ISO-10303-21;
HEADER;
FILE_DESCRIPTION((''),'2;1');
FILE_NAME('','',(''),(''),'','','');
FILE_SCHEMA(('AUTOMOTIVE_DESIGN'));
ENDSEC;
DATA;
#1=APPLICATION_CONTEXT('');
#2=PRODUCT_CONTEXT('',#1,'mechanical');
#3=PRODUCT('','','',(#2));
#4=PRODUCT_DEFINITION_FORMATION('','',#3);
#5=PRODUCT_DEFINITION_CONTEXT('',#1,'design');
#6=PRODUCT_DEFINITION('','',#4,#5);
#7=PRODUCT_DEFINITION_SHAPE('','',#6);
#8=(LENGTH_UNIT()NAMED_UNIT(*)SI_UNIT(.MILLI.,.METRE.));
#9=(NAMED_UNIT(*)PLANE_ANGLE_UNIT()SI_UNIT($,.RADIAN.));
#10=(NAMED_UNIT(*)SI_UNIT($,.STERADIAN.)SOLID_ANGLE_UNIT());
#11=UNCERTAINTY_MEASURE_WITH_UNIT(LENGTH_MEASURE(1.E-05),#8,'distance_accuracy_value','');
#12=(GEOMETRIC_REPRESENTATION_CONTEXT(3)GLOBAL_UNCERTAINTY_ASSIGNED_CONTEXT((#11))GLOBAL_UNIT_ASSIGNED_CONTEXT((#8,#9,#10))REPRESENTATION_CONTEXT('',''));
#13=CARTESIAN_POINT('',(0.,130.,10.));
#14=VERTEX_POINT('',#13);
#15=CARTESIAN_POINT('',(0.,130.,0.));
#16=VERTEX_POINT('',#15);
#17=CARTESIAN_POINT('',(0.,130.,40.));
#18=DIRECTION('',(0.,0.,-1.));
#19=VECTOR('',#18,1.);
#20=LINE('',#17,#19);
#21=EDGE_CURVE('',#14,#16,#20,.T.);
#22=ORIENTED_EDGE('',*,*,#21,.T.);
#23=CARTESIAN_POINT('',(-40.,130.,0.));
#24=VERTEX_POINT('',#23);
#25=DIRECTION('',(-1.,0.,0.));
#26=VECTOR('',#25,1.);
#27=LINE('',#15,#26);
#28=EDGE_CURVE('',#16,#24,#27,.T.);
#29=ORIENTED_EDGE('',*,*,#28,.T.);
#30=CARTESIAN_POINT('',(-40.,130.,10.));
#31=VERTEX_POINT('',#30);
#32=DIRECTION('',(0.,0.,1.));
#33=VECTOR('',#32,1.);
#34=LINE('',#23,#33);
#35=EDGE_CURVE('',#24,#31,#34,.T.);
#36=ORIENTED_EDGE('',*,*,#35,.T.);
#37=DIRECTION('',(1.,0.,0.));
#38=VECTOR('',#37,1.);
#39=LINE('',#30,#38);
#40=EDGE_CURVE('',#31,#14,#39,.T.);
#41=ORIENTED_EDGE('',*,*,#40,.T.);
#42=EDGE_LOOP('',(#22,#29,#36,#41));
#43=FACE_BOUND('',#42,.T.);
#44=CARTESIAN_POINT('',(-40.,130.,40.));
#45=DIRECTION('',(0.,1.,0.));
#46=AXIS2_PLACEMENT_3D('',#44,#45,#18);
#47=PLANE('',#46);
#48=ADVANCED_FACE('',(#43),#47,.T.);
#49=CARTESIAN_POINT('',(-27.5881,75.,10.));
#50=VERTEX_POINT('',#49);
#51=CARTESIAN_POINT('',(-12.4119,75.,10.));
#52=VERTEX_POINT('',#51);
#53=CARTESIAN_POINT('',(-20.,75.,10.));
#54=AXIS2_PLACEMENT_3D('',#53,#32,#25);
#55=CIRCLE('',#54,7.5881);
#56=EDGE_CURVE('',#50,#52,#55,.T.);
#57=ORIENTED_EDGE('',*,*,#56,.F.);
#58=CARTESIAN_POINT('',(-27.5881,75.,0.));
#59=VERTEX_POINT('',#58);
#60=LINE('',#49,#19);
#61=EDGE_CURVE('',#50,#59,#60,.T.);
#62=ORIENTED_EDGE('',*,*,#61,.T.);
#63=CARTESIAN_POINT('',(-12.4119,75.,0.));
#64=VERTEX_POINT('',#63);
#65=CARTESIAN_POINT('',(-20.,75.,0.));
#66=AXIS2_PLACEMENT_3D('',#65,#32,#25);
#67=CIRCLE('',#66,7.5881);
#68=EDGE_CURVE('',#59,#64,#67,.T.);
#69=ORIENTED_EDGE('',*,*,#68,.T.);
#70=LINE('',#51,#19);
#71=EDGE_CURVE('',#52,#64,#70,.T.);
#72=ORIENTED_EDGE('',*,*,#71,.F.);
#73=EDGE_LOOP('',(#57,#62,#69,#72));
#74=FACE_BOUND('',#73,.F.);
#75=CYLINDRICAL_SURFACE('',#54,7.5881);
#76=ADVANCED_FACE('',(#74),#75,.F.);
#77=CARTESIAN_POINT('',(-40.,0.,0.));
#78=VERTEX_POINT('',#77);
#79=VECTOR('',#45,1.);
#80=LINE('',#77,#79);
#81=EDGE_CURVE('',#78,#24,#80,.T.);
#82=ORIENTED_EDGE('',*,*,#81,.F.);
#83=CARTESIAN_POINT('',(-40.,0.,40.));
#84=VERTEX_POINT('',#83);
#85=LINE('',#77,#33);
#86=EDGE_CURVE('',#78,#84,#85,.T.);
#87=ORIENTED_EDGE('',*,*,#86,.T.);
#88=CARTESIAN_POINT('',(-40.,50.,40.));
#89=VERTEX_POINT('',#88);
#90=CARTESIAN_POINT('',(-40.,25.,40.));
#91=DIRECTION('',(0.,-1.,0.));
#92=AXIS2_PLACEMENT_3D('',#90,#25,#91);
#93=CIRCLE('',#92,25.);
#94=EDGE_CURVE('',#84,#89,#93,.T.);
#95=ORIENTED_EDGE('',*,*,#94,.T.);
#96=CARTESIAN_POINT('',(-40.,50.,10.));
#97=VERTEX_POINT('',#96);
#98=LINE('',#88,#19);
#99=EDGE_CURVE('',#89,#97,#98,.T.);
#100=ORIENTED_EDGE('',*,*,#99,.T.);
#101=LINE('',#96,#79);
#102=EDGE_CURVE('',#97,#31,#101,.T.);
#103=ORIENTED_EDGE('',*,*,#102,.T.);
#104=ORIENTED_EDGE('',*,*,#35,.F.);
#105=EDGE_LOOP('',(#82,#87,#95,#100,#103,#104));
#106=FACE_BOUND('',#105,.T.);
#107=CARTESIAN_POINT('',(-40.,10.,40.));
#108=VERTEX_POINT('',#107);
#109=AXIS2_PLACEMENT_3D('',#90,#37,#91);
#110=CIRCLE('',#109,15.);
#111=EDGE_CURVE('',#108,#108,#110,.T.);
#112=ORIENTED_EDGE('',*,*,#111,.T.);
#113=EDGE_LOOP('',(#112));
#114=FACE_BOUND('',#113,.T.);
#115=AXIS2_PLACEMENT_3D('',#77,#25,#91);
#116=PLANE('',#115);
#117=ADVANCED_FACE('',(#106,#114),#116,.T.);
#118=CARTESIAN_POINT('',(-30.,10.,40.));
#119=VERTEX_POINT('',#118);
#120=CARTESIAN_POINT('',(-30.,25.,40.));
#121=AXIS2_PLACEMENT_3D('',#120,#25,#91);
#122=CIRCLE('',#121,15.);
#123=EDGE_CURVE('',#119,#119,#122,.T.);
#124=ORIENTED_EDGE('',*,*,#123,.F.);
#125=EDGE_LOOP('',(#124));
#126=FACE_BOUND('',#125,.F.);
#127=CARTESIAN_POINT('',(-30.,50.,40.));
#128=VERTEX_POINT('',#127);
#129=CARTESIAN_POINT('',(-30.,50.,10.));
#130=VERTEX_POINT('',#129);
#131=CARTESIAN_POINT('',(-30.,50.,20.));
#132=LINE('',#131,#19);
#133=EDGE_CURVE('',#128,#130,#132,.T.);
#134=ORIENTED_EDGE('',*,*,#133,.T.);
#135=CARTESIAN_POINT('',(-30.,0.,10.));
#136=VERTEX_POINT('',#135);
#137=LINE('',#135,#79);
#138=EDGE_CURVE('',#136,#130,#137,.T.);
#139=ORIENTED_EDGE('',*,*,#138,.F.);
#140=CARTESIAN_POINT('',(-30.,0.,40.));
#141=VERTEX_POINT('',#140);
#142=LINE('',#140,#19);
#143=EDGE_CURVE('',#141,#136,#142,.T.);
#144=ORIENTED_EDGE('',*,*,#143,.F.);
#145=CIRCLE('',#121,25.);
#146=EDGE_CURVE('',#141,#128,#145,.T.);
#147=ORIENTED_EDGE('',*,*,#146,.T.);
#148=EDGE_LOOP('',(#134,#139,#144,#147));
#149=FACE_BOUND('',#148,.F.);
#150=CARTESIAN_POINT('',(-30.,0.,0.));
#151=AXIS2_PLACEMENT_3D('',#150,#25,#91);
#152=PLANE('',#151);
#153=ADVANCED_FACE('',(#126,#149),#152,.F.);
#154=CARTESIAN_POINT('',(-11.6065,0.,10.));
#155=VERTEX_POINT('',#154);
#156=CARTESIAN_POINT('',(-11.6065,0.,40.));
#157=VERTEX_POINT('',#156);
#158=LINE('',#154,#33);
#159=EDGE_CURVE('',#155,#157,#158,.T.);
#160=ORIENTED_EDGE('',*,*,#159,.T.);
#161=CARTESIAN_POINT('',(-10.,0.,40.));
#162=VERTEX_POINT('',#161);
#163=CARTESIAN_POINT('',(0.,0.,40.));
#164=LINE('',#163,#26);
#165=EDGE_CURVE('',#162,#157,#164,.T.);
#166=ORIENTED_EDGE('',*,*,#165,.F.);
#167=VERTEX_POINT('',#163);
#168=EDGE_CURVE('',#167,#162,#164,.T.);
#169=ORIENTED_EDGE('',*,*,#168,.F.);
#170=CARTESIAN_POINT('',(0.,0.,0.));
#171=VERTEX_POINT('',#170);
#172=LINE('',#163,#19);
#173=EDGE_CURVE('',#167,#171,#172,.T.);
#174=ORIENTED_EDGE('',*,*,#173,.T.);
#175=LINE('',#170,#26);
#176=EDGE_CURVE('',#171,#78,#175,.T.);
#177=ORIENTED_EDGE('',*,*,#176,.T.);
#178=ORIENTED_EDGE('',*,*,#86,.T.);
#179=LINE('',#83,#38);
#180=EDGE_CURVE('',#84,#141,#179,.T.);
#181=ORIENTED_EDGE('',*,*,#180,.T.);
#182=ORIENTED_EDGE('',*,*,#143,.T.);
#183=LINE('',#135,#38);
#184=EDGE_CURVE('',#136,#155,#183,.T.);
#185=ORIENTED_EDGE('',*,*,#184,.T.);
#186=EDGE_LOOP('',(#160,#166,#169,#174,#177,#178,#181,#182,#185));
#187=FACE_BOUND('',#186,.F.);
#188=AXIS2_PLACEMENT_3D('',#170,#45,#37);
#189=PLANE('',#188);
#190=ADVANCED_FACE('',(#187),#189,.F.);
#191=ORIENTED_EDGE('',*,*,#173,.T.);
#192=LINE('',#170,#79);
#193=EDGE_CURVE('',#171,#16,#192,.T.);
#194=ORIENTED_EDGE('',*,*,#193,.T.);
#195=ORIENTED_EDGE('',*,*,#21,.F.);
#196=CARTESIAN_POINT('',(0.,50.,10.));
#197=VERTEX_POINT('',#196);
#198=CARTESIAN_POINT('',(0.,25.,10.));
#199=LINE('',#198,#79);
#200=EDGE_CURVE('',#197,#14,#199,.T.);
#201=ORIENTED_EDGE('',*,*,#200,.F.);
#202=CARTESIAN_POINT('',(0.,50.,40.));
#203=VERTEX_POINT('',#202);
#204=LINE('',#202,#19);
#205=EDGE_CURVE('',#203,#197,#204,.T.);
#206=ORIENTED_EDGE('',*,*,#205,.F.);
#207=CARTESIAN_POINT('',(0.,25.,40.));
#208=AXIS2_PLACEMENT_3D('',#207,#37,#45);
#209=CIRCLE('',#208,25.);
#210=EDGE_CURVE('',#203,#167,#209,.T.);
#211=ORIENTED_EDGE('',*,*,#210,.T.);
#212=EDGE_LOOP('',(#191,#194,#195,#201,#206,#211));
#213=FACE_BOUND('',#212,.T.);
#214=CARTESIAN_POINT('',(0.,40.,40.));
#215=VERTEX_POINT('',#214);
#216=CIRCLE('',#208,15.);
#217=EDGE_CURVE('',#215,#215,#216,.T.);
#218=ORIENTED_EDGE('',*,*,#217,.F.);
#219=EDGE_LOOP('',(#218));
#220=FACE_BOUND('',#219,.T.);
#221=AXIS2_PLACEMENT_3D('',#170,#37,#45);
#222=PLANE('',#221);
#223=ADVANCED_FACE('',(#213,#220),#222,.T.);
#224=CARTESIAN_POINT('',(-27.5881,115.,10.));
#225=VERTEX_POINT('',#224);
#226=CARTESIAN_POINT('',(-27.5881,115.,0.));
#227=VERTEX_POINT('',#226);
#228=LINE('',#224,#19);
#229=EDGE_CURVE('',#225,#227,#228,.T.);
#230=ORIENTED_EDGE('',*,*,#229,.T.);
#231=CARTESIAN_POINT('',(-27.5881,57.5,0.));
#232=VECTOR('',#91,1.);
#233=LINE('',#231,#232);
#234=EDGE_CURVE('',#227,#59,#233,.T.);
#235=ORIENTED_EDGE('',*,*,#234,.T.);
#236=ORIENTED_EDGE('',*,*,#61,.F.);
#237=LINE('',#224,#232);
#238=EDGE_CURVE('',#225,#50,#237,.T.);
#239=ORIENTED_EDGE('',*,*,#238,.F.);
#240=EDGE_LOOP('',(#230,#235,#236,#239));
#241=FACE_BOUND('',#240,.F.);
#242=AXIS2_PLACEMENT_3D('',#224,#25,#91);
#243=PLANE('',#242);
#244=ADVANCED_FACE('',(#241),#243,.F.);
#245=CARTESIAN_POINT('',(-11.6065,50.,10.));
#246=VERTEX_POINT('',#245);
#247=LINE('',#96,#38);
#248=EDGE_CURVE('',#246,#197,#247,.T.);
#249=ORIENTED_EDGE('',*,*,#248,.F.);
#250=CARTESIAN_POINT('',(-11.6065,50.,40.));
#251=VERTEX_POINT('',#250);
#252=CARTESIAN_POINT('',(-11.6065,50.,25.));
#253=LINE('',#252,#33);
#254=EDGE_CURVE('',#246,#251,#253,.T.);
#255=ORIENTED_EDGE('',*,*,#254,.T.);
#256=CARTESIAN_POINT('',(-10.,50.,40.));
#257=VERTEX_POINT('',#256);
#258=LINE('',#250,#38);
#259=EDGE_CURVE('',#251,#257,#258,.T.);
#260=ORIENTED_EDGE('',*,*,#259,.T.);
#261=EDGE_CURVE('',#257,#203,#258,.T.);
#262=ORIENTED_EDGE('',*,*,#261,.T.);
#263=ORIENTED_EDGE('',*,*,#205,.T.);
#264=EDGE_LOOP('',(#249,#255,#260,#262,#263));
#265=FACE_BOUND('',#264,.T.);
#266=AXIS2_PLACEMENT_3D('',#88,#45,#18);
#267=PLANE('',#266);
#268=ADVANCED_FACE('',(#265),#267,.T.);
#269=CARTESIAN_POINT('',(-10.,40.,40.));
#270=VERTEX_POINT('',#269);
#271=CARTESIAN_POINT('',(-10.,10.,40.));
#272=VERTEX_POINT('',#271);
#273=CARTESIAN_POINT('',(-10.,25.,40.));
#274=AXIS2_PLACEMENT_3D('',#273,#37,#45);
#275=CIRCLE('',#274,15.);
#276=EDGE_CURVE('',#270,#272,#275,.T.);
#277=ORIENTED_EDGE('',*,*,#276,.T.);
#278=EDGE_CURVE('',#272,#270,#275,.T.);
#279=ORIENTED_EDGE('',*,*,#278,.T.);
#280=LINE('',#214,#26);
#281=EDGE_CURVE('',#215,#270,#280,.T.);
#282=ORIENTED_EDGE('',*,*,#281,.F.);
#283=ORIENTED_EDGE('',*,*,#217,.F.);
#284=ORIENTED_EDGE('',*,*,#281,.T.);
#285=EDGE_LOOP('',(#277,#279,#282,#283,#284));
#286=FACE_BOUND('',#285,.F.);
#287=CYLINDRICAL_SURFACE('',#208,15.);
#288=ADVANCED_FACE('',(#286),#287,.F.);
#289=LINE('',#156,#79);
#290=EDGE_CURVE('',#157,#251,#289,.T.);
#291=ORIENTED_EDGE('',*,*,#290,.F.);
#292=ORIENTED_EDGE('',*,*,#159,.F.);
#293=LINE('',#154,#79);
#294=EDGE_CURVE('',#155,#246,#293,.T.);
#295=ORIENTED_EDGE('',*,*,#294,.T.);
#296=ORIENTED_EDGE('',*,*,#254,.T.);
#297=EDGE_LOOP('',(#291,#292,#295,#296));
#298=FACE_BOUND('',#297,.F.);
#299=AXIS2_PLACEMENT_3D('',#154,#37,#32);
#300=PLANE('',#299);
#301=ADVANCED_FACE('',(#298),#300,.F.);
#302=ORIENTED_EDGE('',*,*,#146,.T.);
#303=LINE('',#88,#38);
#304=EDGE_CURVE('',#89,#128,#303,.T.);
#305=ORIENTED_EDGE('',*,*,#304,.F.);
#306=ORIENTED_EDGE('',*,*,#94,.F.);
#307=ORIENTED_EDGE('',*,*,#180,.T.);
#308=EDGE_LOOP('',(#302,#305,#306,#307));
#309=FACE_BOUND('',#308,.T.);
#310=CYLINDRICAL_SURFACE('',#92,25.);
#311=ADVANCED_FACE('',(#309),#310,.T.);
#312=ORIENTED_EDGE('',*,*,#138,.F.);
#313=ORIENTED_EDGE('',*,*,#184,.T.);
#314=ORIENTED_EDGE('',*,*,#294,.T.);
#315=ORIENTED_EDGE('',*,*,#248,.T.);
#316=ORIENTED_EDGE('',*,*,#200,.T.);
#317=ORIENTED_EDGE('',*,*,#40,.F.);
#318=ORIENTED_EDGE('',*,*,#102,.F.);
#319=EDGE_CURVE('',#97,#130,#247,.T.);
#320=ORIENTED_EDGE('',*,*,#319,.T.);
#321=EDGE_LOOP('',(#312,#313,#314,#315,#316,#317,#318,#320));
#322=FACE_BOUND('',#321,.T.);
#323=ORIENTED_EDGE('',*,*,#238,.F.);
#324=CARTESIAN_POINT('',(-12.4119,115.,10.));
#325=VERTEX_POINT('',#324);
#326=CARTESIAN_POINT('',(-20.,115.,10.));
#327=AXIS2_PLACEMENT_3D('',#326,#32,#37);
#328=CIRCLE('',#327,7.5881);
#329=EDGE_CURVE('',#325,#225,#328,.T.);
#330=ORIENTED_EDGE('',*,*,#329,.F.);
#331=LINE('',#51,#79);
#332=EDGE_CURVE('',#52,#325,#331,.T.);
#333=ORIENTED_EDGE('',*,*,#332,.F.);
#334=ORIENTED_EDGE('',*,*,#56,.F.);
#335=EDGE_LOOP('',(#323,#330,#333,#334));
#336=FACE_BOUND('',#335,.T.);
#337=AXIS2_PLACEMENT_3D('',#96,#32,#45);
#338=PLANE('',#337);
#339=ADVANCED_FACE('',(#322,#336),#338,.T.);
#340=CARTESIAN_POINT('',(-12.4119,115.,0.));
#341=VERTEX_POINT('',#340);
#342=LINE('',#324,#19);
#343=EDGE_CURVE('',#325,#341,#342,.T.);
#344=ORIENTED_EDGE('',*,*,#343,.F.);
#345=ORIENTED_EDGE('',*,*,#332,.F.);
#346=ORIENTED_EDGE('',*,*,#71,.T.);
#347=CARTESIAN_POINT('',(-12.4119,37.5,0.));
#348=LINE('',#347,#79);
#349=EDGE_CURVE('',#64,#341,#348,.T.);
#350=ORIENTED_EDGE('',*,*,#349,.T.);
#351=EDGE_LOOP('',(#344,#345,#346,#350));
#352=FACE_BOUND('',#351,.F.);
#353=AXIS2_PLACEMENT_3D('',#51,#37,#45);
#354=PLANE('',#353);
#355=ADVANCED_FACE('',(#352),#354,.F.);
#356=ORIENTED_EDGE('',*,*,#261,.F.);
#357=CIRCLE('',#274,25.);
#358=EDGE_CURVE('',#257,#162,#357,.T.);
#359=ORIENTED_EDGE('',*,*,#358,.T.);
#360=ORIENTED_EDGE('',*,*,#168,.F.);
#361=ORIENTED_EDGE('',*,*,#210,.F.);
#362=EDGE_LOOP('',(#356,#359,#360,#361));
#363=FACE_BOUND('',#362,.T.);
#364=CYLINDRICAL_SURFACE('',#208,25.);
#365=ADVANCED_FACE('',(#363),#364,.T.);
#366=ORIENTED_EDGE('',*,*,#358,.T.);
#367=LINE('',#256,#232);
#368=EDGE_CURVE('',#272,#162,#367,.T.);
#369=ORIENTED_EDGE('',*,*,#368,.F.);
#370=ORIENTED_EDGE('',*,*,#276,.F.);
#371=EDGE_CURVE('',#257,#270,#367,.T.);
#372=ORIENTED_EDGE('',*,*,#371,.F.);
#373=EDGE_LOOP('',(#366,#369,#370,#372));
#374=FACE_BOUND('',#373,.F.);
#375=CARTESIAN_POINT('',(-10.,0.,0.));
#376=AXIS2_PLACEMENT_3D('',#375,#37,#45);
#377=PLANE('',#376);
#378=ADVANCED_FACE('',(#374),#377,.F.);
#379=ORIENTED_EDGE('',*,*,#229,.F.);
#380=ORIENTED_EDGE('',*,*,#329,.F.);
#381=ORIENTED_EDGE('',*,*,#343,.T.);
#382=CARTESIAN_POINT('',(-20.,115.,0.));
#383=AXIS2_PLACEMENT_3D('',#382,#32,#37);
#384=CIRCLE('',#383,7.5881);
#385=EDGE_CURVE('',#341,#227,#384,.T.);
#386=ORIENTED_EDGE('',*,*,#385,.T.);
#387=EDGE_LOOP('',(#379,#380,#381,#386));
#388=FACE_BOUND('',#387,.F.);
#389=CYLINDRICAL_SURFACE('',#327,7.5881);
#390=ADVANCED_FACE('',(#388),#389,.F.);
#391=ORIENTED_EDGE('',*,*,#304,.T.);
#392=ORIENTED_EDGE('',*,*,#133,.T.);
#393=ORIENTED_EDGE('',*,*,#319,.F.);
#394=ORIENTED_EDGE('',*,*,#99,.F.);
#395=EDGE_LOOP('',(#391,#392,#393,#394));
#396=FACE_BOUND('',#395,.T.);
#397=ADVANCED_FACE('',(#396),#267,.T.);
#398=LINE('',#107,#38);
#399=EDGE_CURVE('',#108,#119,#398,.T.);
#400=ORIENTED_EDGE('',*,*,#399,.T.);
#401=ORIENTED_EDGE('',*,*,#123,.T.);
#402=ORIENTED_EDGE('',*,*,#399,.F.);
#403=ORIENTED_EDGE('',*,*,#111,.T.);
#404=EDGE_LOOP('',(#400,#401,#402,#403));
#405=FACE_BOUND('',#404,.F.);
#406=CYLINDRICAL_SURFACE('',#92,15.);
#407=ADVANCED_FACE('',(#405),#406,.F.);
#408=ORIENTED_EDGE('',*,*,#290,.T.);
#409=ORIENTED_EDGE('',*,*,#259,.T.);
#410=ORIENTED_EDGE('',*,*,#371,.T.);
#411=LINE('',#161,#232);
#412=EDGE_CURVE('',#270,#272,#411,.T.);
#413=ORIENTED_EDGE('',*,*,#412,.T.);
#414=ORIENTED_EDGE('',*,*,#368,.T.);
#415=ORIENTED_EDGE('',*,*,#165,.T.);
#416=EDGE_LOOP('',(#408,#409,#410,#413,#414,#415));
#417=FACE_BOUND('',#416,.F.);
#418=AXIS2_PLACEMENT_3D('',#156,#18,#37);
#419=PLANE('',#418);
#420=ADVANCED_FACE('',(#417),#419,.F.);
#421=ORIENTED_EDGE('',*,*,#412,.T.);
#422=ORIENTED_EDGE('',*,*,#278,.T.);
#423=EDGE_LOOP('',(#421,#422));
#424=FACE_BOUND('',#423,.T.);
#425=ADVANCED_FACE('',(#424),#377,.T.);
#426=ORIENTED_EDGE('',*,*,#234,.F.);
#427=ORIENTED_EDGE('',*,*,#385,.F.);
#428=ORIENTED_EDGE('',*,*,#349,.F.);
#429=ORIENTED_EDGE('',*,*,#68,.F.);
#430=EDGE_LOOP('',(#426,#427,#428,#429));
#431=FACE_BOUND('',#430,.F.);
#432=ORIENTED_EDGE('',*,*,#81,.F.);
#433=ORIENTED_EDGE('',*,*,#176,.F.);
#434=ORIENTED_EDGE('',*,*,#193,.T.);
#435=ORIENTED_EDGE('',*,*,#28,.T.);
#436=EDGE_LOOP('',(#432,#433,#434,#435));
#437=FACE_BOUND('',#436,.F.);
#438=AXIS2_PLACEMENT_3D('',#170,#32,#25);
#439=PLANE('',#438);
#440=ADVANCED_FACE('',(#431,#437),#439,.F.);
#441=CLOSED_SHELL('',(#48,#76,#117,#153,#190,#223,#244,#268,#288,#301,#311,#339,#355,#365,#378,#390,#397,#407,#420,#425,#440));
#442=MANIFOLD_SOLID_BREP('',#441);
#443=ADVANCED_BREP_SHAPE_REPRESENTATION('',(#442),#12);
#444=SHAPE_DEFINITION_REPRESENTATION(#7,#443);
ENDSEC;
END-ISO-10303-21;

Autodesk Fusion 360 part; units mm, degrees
sketch "Sketch1" plane through (0, 0, 0) normal (0, 1, 0) x (1, 0, 0)
  line L0 (0, 0) -> (-40, 0)
  line L1 (-40, 0) -> (-40, -40)
  line L2 (0, -40) -> (0, 0)
  line L3 (-40, -40) -> (-30, -40)
  line L4 (-30, -40) -> (-30, -10)
  line L5 (-30, -10) -> (-11.6065, -10)
  line L6 (-11.6065, -10) -> (-11.6065, -40)
  line L7 (-11.6065, -40) -> (0, -40)
  dimension "d6" = 40
  dimension "d7" = 40
  dimension "d8" = 10
  dimension "d9" = 11.6065
  dimension "d10" = 10
extrude "Extrude1" add sketch "Sketch1" along normal blind 130
sketch "Sketch2" plane through (-40, 0, 0) normal (-1, 0, 0) x (0, -1, 0)
  line L0 (0, 0) -> (0, 40)
  line L1 (0, 40) -> (-130, 40)
  line L2 (-130, 40) -> (-130, 0)
  line L3 (-130, 0) -> (0, 0)
  circle A0 centre (-25, 40) radius 15
  arc A1 (0, 40) -> (-50, 40) centre (-25, 40) ccw
  line L4 (-50, 40) -> (-50, 10)
  line L5 (-50, 10) -> (-130, 10)
  dimension "d13" = 50
  dimension "d14" = 30
  dimension "d15" = 25
  dimension "d16" = 30
extrude "Extrude2" add sketch "Sketch2" against normal blind 10 contours L1 A0 A1
extrude "Extrude3" cut sketch "Sketch2" against normal blind 10 contours L1 A0 | L1 A0
extrude "Extrude4" cut sketch "Sketch2" against normal blind 10 contours L1 L2 L4 L5
extrude "Extrude5" add sketch "Sketch2" against normal blind 10 contours L1 L2 L4 L5
sketch "Sketch3" plane through (-40, 0, 0) normal (-1, 0, 0) x (0, -1, 0)
  line L0 (-130, 10) -> (-130, 0)
  line L1 (-130, 0) -> (0, 0)
  line L2 (0, 0) -> (0, 40)
extrude "Extrude6" cut sketch "Sketch2" against normal blind 66.91 contours L1 L2 L4 L5
sketch "Sketch4" plane through (0, 0, 0) normal (1, 0, 0) x (0, 1, 0)
  line L0 (130, 10) -> (50, 10)
  line L1 (50, 10) -> (50, 40)
  line L2 (50, 40) -> (0, 40)
  line L3 (0, 40) -> (0, 0)
  line L4 (0, 0) -> (130, 0)
  line L5 (130, 0) -> (130, 10)
  circle A0 centre (25, 40) radius 15
  arc A1 (50, 40) -> (0, 40) centre (25, 40) ccw
  dimension "d27" = 50
  dimension "d28" = 30
extrude "Extrude7" cut sketch "Sketch4" against normal blind 10 contours L2 A0 A1 | L2 A0 | L2 A0
extrude "Extrude8" add sketch "Sketch4" against normal blind 10 contours L2 A0 A1
sketch "Sketch5" plane through (0, 0, 10) normal (0, 0, 1) x (-1, 0, 0)
  line L0 (30, -50) -> (30, 0)
  line L1 (30, 0) -> (11.6065, 0)
  line L2 (11.6065, 0) -> (11.6065, -50)
  line L3 (11.6065, -50) -> (0, -50)
  line L4 (0, -50) -> (0, -130)
  line L5 (0, -130) -> (40, -130)
  line L6 (40, -130) -> (40, -50)
  line L7 (40, -50) -> (30, -50)
  line L8 (12.4119, -75) -> (12.4119, -115)
  arc A0 (12.4119, -115) -> (27.5881, -115) centre (20, -115) ccw
  line L9 (27.5881, -115) -> (27.5881, -75)
  arc A1 (27.5881, -75) -> (12.4119, -75) centre (20, -75) ccw
  line L10 (20, -75) -> (20, -115) construction
  point P0 (20, -95)
  dimension "d33" = 40
extrude "Extrude9" cut sketch "Sketch5" against normal blind 34.041 contours L8 A0 L9 A1
